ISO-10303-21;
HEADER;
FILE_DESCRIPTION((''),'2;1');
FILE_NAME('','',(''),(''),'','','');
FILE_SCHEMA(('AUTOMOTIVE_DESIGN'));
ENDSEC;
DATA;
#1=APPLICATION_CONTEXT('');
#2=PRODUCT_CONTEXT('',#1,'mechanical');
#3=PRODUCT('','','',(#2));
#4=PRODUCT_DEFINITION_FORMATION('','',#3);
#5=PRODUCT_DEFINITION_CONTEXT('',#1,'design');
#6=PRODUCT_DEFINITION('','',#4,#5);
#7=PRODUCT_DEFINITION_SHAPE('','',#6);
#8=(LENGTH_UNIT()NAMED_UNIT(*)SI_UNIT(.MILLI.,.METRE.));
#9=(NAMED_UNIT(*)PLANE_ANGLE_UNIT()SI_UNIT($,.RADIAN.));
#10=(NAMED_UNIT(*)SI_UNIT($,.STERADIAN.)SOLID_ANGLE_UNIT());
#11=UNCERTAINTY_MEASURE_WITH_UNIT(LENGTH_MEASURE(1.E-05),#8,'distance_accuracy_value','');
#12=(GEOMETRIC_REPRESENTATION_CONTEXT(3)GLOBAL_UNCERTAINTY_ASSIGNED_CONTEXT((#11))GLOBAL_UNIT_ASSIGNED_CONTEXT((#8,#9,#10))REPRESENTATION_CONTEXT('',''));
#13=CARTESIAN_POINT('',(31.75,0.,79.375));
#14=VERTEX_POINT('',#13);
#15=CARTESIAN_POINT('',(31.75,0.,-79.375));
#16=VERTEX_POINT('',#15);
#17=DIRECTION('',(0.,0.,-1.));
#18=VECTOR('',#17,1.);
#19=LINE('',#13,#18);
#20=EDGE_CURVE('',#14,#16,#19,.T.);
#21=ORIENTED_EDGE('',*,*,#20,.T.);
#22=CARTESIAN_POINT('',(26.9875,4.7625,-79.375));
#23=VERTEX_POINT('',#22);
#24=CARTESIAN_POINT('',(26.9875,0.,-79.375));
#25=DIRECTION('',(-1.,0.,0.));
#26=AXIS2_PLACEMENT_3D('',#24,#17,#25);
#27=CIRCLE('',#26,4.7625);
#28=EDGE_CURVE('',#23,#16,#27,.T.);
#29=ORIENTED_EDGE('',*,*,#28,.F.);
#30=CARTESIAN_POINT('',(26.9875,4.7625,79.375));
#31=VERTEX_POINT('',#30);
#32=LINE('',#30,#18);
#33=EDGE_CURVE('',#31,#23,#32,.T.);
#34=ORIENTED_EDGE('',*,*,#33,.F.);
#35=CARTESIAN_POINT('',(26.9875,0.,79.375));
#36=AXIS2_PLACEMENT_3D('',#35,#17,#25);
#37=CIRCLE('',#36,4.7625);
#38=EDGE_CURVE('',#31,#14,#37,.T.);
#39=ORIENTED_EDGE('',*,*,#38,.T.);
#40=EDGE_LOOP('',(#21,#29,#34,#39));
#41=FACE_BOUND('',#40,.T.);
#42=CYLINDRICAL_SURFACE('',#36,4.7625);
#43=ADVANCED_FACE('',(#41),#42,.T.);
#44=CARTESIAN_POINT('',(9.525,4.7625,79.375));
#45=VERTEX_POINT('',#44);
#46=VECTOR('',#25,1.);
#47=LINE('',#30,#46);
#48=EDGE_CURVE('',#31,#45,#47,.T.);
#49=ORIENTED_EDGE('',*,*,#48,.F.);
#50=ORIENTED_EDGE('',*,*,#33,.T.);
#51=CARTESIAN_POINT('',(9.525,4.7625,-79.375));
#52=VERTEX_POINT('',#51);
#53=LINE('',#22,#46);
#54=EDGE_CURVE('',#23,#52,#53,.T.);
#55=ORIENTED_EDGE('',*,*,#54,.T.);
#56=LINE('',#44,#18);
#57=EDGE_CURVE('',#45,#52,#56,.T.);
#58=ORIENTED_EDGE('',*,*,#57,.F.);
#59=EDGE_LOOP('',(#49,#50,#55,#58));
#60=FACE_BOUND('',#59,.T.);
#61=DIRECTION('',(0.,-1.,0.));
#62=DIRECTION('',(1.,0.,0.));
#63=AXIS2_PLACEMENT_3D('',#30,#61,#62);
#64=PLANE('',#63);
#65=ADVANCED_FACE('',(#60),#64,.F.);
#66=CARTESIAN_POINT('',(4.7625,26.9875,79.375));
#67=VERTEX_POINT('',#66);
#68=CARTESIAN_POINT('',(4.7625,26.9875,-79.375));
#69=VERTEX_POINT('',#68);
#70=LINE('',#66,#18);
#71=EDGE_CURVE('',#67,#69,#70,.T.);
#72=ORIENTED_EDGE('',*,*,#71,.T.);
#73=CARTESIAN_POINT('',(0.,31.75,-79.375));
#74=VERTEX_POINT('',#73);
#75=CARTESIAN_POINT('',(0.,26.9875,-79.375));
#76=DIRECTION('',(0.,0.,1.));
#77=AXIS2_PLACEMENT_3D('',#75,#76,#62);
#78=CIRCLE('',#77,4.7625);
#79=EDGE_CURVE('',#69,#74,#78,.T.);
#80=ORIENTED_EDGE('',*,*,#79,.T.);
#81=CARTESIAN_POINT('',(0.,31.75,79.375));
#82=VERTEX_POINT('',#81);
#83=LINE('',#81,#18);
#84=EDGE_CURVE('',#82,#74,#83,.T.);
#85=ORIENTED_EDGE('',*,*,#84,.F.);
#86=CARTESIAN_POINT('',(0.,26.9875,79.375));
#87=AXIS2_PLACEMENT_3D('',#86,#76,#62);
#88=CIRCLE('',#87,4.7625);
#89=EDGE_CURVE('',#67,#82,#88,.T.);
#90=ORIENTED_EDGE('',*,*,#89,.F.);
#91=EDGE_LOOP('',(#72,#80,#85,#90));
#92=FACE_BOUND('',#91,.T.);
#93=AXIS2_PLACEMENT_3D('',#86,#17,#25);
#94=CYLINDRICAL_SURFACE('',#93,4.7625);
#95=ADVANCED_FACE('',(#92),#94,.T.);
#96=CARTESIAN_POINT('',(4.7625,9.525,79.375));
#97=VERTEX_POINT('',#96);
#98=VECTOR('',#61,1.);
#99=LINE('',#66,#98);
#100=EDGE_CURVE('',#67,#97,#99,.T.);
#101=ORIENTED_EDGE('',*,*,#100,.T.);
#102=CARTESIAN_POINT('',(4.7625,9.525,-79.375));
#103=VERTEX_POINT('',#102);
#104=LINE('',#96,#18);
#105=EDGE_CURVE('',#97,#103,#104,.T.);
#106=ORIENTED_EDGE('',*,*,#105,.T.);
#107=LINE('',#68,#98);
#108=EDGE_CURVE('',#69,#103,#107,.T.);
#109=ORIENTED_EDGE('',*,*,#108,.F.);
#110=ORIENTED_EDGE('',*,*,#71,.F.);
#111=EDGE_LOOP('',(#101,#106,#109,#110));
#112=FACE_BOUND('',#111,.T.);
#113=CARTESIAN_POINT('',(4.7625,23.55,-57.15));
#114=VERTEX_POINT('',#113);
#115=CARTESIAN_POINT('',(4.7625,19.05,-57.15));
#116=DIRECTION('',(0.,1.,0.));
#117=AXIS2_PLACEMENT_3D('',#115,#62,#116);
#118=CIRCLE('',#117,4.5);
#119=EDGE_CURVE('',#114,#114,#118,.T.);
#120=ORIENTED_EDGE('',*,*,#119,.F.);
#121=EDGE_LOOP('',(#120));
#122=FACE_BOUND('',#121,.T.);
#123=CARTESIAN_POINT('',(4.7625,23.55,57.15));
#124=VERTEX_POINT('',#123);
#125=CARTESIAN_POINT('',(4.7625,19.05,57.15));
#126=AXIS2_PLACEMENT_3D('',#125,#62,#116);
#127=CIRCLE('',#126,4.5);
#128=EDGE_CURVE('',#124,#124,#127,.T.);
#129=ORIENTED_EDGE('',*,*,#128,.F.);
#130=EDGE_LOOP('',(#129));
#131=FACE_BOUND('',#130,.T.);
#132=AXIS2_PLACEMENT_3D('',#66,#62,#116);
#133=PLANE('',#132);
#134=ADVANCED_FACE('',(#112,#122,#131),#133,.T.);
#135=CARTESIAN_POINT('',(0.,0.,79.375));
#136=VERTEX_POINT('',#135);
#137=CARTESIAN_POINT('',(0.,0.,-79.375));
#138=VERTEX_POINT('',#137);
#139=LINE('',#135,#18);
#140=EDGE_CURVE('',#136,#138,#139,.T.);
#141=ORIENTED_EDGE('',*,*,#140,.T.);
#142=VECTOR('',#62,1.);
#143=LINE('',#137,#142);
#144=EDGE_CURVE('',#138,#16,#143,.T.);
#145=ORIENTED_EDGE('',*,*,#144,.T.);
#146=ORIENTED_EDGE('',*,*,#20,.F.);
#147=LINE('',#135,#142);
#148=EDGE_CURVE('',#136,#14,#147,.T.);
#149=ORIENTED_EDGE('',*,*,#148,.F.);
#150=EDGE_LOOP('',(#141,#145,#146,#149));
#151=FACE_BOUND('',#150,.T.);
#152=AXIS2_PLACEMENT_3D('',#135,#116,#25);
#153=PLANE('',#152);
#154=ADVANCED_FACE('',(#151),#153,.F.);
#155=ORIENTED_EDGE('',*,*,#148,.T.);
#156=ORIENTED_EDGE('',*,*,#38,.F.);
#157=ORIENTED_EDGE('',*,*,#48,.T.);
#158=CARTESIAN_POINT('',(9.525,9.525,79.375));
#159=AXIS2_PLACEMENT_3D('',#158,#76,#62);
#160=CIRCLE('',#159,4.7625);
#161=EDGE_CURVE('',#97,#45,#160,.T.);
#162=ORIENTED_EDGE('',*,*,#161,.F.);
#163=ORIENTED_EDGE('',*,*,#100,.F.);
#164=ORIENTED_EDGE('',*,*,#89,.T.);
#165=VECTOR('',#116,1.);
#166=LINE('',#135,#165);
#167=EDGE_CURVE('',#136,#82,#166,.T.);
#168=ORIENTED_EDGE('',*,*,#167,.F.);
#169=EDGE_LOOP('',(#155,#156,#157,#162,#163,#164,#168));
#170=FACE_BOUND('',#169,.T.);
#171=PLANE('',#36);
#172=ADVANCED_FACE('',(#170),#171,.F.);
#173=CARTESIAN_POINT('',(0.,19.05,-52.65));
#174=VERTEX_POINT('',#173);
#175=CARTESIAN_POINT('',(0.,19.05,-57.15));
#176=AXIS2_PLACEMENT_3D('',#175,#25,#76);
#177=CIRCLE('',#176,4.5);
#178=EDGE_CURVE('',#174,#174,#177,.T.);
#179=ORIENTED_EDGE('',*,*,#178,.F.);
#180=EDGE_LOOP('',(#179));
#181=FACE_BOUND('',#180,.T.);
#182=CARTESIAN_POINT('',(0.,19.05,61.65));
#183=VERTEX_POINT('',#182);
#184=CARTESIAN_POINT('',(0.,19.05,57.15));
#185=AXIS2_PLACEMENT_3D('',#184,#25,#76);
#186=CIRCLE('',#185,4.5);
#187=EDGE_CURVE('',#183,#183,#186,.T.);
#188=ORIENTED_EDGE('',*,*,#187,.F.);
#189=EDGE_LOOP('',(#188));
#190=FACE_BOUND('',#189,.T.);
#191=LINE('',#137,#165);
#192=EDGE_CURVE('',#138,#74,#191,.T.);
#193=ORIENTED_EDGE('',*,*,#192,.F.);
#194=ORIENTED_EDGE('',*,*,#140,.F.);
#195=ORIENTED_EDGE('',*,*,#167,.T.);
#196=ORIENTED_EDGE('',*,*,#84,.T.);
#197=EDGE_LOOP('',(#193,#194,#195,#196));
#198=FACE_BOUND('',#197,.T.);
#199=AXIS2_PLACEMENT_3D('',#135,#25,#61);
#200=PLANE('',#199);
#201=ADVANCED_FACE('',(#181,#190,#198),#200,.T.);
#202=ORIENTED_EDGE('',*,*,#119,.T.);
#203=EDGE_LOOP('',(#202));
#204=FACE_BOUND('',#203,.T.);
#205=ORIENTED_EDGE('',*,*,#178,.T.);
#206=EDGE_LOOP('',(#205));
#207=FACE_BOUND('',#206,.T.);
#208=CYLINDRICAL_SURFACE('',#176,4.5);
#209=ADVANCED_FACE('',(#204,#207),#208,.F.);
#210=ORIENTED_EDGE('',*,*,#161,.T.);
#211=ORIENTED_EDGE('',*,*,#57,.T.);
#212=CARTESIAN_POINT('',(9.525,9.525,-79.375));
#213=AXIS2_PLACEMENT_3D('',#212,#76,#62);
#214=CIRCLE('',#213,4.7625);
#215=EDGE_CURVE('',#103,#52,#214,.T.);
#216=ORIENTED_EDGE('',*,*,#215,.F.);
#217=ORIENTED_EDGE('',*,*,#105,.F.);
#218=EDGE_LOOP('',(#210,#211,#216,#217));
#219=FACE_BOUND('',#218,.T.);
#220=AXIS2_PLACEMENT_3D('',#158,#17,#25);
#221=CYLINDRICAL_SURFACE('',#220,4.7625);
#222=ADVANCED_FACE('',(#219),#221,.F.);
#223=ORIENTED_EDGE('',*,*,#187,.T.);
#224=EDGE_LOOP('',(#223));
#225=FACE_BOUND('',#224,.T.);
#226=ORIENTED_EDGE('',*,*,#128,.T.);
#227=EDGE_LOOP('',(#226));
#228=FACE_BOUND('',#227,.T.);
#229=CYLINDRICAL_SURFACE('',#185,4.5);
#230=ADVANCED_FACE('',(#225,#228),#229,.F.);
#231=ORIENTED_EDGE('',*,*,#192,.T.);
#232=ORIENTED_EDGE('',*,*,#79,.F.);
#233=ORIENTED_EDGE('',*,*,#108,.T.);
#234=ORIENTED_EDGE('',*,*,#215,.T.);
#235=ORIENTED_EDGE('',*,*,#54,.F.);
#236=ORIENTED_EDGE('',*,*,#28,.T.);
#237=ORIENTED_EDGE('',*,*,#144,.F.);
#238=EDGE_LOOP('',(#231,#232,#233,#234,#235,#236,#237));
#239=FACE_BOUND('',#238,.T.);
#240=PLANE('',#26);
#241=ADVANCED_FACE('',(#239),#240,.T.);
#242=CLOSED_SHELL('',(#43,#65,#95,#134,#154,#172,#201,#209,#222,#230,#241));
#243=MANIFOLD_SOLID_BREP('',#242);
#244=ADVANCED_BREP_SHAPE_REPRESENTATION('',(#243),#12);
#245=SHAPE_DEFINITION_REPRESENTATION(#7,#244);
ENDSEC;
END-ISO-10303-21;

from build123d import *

# Parameters (mm, degrees)
BOSS_EXTRUDE1_DEPTH  = 79.375
M8_CLEARANCE_HOLE1_D = 9


with BuildPart() as part:
    # Sketch1 → Boss-Extrude1 (new, symmetric)
    with BuildSketch(Plane.XY):
        with BuildLine():
            Line((0, 0), (0, 31.75))
            ThreePointArc((0, 31.75), (3.367596045, 30.355096045), (4.7625, 26.9875))
            Line((4.7625, 26.9875), (4.7625, 9.525))
            ThreePointArc((4.7625, 9.525), (6.157403955, 6.157403955), (9.525, 4.7625))
            Line((9.525, 4.7625), (26.9875, 4.7625))
            ThreePointArc((26.9875, 4.7625), (30.355096045, 3.367596045), (31.75, 0))
            Line((31.75, 0), (0, 0))
        make_face()
    extrude(amount=BOSS_EXTRUDE1_DEPTH, both=True)

    # M8 Clearance Hole1 (through all)
    with Locations(Plane.ZY):
        with Locations((-57.15, 19.05), (57.15, 19.05)):
            Hole(M8_CLEARANCE_HOLE1_D / 2)


solid = part.part
